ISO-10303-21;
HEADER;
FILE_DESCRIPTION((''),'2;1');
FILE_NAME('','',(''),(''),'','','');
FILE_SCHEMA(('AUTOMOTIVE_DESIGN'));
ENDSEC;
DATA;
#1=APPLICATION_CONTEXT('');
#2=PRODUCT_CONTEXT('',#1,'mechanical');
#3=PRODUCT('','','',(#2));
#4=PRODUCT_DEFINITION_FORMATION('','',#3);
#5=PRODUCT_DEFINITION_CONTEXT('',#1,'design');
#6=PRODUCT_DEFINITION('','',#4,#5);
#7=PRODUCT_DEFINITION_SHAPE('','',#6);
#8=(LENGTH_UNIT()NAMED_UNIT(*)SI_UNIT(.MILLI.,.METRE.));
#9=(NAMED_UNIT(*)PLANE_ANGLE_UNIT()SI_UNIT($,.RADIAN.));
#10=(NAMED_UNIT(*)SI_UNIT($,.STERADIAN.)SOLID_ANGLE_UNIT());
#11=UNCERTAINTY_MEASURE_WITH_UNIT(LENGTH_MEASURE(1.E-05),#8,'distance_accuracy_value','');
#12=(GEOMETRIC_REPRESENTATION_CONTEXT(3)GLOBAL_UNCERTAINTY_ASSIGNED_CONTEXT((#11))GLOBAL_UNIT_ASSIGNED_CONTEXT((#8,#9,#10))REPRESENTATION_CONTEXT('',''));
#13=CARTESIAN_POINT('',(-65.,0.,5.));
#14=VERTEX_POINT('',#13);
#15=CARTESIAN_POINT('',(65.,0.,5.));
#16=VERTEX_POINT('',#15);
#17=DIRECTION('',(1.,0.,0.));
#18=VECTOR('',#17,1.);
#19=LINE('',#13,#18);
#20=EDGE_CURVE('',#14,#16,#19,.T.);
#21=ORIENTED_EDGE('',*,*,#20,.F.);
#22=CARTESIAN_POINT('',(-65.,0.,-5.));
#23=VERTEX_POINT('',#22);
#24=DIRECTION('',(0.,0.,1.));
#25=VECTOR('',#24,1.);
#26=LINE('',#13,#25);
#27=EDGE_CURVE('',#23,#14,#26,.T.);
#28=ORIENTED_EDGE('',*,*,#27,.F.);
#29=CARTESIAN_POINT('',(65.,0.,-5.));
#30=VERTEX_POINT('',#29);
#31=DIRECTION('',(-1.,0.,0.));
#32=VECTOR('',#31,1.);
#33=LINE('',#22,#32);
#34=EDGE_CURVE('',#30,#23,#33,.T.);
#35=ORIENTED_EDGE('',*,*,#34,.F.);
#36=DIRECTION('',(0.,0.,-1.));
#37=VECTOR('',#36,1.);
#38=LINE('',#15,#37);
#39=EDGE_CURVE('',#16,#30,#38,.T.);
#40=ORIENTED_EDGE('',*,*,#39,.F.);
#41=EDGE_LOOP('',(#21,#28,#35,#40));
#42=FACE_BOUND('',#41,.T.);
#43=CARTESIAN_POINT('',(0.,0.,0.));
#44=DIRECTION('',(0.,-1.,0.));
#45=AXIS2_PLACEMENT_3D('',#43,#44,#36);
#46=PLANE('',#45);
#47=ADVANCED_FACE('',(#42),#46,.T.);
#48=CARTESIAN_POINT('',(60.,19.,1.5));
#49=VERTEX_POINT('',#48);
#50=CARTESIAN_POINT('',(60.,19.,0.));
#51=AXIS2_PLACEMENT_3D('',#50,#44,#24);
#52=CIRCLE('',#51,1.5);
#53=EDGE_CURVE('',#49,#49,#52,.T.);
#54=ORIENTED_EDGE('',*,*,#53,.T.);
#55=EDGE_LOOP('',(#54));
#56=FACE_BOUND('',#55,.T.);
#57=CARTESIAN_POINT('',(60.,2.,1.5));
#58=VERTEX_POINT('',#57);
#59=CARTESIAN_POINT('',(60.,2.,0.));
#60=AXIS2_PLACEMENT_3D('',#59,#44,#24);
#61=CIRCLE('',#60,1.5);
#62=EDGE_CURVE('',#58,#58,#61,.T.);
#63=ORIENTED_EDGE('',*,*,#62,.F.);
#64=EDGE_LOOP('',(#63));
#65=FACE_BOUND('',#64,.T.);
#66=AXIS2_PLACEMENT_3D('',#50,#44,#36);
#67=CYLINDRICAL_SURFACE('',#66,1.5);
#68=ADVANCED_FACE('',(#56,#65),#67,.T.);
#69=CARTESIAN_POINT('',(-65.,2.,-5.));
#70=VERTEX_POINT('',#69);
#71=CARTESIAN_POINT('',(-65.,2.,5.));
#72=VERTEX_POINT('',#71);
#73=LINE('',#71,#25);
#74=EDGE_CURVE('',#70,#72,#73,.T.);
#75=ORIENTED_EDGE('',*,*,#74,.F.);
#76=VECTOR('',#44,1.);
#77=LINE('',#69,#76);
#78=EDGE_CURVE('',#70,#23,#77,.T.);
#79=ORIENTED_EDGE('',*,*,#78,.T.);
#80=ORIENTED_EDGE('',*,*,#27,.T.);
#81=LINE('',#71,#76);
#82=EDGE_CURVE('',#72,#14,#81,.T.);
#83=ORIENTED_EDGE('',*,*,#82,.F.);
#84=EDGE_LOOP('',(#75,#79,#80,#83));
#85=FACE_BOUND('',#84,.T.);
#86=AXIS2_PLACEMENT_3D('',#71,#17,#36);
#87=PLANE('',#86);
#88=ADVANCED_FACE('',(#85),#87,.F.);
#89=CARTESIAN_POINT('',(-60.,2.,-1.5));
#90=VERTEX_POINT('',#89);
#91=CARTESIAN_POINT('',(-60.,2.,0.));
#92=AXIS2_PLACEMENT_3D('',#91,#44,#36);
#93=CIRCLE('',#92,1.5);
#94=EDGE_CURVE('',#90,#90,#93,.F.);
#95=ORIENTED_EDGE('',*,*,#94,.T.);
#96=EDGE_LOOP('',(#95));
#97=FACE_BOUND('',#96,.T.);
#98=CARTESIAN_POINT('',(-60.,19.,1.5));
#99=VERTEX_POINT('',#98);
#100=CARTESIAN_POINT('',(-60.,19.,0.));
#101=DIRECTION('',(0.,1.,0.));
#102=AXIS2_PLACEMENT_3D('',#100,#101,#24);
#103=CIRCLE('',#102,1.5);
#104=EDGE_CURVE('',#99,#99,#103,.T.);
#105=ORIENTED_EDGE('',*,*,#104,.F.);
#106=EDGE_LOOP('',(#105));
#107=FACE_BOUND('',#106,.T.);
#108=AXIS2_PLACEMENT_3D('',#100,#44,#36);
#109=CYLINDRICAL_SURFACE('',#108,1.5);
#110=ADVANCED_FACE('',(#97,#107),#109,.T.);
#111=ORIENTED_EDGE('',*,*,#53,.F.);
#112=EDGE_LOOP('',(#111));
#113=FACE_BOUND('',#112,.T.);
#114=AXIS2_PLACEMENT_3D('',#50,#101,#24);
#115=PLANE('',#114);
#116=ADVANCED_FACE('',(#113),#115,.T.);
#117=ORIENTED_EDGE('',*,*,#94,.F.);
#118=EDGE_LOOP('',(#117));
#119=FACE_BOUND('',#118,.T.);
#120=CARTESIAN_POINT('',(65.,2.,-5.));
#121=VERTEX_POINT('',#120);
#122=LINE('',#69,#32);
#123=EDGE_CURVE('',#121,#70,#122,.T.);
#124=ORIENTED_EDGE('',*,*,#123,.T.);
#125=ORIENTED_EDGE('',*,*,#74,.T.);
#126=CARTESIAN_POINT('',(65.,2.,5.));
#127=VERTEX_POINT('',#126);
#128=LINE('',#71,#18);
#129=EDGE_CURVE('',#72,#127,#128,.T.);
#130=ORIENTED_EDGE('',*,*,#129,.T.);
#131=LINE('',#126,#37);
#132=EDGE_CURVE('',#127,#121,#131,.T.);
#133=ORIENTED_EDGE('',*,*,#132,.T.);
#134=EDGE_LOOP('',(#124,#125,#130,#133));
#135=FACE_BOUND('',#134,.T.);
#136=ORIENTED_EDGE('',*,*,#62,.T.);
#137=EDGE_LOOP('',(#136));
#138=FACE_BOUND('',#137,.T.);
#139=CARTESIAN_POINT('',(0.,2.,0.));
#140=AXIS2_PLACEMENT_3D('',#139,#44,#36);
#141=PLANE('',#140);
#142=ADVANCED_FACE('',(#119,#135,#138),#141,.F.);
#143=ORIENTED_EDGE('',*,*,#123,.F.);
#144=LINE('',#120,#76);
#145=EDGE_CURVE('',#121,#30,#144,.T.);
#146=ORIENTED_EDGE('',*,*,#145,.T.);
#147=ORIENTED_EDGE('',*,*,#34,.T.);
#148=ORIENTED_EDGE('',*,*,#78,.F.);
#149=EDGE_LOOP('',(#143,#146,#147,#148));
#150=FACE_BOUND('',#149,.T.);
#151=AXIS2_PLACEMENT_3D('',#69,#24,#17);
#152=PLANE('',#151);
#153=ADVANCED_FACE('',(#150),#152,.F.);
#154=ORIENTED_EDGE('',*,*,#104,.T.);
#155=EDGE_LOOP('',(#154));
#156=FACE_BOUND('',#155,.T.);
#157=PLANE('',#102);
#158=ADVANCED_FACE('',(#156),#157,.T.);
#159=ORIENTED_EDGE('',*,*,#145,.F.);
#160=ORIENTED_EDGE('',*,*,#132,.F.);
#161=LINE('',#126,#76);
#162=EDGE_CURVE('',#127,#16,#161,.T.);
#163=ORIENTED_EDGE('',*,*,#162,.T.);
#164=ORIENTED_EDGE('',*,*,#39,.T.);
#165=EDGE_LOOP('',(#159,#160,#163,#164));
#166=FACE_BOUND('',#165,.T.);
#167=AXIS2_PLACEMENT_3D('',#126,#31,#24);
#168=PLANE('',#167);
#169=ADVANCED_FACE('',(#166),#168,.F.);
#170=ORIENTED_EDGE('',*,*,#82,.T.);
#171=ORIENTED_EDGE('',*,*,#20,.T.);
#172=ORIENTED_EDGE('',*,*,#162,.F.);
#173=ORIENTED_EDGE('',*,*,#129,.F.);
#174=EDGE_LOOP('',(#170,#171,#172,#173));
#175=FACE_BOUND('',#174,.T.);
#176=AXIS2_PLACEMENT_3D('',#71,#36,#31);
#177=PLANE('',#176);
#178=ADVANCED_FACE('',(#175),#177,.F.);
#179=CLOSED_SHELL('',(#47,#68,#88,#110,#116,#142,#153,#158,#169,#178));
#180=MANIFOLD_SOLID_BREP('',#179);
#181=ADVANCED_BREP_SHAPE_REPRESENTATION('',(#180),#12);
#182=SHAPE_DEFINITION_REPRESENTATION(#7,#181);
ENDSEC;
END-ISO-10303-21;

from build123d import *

# Parameters (mm, degrees)
SKETCH3_W           = 130
SKETCH3_H           = 10
BOSS_EXTRUDE1_DEPTH = 2
SKETCH4_R           = 1.5
BOSS_EXTRUDE2_DEPTH = 17


with BuildPart() as part:
    # Sketch3 → Boss-Extrude1 (new body)
    with BuildSketch(Plane(origin=(0, 0, 0), x_dir=(1, 0, 0), z_dir=(0, 1, 0))):
        Rectangle(SKETCH3_W, SKETCH3_H)
    extrude(amount=BOSS_EXTRUDE1_DEPTH)

    # Sketch4 → Boss-Extrude2 (add)
    with BuildSketch(Plane(origin=(0, 2, 0), x_dir=(1, 0, 0), z_dir=(0, 1, 0))):
        with Locations(Location((-60, 0, 0), (0, 0, 90))):
            Circle(SKETCH4_R)
    boss_extrude2 = extrude(amount=BOSS_EXTRUDE2_DEPTH)

    # Mirror1: Boss-Extrude2 across plane
    add(boss_extrude2.mirror(Plane.ZY))


solid = part.part
